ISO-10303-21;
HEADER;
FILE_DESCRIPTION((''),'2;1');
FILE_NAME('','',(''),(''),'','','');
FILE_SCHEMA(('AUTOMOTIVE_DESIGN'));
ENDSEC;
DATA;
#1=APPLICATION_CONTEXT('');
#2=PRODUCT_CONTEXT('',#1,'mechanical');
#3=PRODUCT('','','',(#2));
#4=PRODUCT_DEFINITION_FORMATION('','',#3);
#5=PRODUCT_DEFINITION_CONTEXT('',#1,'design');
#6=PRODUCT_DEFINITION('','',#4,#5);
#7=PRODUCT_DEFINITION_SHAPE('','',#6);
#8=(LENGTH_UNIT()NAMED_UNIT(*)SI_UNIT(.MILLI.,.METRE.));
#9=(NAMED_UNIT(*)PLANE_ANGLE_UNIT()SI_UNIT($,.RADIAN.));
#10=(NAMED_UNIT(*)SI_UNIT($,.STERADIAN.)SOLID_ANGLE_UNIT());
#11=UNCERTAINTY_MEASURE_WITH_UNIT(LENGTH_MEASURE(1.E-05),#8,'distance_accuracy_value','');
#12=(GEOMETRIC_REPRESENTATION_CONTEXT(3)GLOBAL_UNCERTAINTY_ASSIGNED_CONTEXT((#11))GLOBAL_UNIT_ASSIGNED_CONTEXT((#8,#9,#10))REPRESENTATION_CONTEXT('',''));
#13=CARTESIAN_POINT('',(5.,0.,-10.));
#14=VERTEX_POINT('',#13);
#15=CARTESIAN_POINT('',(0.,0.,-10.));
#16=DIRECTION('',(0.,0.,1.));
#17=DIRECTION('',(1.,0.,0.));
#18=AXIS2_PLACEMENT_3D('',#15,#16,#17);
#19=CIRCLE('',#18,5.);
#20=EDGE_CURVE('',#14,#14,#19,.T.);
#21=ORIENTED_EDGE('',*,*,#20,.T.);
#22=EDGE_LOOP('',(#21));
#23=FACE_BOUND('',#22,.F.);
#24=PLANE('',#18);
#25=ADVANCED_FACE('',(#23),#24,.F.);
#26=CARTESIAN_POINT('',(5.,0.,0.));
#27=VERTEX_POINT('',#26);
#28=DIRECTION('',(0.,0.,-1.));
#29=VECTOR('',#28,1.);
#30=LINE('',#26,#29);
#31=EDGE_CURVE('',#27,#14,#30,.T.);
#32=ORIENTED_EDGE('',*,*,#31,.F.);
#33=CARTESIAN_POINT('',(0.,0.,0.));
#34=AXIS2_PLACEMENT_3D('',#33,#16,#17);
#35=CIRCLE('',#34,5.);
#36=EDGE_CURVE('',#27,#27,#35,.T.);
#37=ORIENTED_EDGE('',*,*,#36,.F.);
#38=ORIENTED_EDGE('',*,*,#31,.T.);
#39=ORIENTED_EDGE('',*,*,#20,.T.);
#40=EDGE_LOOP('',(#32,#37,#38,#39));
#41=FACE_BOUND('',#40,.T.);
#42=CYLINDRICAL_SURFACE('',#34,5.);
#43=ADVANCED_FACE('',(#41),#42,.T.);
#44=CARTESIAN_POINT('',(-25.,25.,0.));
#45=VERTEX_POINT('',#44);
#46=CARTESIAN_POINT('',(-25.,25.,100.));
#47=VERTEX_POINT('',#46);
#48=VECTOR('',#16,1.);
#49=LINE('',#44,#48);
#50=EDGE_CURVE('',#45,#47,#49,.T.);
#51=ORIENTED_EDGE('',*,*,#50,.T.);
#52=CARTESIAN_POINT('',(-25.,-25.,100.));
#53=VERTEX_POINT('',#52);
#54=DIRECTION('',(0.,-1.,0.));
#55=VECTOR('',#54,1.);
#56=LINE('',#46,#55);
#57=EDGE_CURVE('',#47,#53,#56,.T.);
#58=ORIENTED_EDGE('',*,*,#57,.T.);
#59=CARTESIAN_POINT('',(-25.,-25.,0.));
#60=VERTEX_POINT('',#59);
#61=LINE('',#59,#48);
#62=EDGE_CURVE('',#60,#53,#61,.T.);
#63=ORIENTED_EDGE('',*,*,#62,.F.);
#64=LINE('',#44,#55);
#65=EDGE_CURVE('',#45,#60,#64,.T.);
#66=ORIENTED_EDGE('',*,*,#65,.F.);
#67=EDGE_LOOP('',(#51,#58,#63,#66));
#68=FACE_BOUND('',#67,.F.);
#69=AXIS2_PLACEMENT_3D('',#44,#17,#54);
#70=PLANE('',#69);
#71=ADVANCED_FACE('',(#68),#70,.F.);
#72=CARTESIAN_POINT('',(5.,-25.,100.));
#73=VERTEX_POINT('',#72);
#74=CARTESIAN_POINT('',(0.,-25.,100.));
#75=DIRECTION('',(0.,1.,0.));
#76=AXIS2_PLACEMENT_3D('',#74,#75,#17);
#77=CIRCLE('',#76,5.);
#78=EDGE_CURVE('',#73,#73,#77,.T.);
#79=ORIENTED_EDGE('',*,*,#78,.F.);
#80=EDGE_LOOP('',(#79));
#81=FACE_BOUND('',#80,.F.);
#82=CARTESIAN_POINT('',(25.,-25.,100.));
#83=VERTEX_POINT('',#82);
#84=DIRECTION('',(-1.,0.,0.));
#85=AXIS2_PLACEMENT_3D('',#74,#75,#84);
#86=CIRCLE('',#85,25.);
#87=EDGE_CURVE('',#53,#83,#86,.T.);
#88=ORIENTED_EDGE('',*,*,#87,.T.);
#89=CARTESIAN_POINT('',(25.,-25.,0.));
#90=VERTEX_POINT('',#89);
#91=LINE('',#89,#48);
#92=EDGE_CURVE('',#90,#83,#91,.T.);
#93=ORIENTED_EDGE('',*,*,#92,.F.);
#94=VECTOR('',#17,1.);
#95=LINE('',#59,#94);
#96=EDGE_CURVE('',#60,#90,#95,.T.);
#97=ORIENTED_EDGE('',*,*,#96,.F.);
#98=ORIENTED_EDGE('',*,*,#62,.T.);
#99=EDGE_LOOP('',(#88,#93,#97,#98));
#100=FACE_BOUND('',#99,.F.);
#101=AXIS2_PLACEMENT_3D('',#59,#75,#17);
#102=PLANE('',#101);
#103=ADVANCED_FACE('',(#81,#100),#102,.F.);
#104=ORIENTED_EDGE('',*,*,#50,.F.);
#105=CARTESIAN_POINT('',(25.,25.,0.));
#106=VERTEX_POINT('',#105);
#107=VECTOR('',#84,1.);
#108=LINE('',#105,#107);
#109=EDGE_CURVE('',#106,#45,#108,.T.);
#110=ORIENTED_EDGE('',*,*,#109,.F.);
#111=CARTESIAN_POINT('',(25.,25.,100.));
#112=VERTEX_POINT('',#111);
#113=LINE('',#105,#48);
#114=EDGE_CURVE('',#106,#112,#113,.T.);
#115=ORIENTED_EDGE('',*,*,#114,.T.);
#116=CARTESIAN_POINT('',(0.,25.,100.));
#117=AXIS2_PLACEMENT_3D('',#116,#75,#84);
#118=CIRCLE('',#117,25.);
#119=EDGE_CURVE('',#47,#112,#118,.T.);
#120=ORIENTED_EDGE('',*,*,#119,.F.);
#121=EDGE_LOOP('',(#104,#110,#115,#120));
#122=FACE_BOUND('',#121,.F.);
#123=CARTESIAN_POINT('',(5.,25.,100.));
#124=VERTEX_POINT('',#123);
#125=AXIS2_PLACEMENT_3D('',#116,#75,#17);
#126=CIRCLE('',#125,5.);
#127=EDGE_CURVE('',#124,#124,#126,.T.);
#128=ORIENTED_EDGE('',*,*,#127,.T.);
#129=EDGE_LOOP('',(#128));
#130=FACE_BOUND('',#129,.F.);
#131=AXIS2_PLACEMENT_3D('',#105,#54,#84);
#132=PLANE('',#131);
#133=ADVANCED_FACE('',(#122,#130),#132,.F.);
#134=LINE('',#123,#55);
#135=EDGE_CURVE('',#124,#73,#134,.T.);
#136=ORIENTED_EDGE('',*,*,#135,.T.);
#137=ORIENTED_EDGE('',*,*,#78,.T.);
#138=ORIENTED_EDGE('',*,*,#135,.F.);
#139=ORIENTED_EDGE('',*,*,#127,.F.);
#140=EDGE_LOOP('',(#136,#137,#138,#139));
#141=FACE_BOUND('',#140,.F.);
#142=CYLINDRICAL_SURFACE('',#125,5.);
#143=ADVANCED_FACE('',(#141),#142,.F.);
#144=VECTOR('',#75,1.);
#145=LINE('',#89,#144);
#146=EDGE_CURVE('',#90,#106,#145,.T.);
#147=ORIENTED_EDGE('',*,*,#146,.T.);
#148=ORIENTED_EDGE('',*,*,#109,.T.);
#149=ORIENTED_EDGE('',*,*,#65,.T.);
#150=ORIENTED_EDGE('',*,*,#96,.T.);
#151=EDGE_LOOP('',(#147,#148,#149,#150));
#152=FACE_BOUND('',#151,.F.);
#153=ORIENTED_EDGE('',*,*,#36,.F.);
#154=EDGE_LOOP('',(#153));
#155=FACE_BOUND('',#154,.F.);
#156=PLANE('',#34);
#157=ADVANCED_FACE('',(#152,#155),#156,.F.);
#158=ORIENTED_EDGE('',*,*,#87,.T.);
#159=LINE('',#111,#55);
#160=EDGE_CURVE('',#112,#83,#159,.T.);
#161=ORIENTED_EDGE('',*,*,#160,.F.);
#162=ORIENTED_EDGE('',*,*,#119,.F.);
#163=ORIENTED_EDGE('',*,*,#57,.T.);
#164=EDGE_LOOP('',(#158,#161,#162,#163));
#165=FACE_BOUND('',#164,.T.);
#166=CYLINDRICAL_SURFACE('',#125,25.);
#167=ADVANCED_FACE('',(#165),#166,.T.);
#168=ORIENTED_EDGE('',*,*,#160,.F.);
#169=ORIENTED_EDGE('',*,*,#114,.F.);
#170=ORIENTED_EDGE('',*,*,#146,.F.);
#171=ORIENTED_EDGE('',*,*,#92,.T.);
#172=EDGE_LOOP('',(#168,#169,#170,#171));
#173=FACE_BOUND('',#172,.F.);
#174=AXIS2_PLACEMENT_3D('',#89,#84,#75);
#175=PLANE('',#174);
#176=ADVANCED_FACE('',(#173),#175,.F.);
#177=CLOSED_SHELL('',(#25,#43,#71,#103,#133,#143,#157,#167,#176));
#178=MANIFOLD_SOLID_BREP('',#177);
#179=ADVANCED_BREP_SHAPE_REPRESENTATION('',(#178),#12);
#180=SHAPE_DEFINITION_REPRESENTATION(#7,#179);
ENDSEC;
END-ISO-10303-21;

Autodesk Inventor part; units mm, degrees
ref_plane "YZ Plane" through (0, 0, 0) normal (1, 0, 0) x (0, 1, 0)
ref_plane "XZ Plane" through (0, 0, 0) normal (0, 1, 0) x (-1, 0, 0)
ref_plane "XY Plane" through (0, 0, 0) normal (0, 0, 1) x (1, 0, 0)
sketch "Sketch1" plane through (0, 0, 0) normal (0, 0, 1) x (1, 0, 0)
  circle A0 centre (0, 0) radius 5
  dimension "d0" = 10
extrude "Extrusion1" add sketch "Sketch1" against normal blind 10
sketch "Sketch2" plane through (0, 0, 0) normal (0, 0, 1) x (1, 0, 0)
  line L0 (25, 25) -> (-25, 25)
  line L1 (-25, 25) -> (-25, -25)
  line L2 (-25, -25) -> (25, -25)
  line L3 (25, -25) -> (25, 25)
  point P0 (0, 0)
  dimension "d3" = 50
  dimension "d4" = 50
  dimension "d5" = 25
  dimension "d6" = 25
extrude "Extrusion2" add sketch "Sketch2" along normal blind 125
sketch "Sketch3" plane through (-25, 25, 0) normal (0, 1, 0) x (1, 0, 0)
  circle A0 centre (25, -100) radius 25
  line L0 (50, 0) -> (50, -125) projected
  line L1 (50, -125) -> (0, -125) projected
  line L2 (0, 0) -> (0, -125) projected
  circle A1 centre (25, -100) radius 5
  point P0 (25, 0)
  point P1 (25, -125)
  point P2 (50, -100)
  point P3 (0, -100)
  dimension "d9" = 10
extrude "Extrusion3" cut sketch "Sketch3" against normal through all contours L0 L1 A0 | A0 L1 L2 | A1
equation "\"d4\" = d3"
equation "\"d5\" = 0.5 * d3"
equation "\"d6\" = d5"
properties part number "link4"
